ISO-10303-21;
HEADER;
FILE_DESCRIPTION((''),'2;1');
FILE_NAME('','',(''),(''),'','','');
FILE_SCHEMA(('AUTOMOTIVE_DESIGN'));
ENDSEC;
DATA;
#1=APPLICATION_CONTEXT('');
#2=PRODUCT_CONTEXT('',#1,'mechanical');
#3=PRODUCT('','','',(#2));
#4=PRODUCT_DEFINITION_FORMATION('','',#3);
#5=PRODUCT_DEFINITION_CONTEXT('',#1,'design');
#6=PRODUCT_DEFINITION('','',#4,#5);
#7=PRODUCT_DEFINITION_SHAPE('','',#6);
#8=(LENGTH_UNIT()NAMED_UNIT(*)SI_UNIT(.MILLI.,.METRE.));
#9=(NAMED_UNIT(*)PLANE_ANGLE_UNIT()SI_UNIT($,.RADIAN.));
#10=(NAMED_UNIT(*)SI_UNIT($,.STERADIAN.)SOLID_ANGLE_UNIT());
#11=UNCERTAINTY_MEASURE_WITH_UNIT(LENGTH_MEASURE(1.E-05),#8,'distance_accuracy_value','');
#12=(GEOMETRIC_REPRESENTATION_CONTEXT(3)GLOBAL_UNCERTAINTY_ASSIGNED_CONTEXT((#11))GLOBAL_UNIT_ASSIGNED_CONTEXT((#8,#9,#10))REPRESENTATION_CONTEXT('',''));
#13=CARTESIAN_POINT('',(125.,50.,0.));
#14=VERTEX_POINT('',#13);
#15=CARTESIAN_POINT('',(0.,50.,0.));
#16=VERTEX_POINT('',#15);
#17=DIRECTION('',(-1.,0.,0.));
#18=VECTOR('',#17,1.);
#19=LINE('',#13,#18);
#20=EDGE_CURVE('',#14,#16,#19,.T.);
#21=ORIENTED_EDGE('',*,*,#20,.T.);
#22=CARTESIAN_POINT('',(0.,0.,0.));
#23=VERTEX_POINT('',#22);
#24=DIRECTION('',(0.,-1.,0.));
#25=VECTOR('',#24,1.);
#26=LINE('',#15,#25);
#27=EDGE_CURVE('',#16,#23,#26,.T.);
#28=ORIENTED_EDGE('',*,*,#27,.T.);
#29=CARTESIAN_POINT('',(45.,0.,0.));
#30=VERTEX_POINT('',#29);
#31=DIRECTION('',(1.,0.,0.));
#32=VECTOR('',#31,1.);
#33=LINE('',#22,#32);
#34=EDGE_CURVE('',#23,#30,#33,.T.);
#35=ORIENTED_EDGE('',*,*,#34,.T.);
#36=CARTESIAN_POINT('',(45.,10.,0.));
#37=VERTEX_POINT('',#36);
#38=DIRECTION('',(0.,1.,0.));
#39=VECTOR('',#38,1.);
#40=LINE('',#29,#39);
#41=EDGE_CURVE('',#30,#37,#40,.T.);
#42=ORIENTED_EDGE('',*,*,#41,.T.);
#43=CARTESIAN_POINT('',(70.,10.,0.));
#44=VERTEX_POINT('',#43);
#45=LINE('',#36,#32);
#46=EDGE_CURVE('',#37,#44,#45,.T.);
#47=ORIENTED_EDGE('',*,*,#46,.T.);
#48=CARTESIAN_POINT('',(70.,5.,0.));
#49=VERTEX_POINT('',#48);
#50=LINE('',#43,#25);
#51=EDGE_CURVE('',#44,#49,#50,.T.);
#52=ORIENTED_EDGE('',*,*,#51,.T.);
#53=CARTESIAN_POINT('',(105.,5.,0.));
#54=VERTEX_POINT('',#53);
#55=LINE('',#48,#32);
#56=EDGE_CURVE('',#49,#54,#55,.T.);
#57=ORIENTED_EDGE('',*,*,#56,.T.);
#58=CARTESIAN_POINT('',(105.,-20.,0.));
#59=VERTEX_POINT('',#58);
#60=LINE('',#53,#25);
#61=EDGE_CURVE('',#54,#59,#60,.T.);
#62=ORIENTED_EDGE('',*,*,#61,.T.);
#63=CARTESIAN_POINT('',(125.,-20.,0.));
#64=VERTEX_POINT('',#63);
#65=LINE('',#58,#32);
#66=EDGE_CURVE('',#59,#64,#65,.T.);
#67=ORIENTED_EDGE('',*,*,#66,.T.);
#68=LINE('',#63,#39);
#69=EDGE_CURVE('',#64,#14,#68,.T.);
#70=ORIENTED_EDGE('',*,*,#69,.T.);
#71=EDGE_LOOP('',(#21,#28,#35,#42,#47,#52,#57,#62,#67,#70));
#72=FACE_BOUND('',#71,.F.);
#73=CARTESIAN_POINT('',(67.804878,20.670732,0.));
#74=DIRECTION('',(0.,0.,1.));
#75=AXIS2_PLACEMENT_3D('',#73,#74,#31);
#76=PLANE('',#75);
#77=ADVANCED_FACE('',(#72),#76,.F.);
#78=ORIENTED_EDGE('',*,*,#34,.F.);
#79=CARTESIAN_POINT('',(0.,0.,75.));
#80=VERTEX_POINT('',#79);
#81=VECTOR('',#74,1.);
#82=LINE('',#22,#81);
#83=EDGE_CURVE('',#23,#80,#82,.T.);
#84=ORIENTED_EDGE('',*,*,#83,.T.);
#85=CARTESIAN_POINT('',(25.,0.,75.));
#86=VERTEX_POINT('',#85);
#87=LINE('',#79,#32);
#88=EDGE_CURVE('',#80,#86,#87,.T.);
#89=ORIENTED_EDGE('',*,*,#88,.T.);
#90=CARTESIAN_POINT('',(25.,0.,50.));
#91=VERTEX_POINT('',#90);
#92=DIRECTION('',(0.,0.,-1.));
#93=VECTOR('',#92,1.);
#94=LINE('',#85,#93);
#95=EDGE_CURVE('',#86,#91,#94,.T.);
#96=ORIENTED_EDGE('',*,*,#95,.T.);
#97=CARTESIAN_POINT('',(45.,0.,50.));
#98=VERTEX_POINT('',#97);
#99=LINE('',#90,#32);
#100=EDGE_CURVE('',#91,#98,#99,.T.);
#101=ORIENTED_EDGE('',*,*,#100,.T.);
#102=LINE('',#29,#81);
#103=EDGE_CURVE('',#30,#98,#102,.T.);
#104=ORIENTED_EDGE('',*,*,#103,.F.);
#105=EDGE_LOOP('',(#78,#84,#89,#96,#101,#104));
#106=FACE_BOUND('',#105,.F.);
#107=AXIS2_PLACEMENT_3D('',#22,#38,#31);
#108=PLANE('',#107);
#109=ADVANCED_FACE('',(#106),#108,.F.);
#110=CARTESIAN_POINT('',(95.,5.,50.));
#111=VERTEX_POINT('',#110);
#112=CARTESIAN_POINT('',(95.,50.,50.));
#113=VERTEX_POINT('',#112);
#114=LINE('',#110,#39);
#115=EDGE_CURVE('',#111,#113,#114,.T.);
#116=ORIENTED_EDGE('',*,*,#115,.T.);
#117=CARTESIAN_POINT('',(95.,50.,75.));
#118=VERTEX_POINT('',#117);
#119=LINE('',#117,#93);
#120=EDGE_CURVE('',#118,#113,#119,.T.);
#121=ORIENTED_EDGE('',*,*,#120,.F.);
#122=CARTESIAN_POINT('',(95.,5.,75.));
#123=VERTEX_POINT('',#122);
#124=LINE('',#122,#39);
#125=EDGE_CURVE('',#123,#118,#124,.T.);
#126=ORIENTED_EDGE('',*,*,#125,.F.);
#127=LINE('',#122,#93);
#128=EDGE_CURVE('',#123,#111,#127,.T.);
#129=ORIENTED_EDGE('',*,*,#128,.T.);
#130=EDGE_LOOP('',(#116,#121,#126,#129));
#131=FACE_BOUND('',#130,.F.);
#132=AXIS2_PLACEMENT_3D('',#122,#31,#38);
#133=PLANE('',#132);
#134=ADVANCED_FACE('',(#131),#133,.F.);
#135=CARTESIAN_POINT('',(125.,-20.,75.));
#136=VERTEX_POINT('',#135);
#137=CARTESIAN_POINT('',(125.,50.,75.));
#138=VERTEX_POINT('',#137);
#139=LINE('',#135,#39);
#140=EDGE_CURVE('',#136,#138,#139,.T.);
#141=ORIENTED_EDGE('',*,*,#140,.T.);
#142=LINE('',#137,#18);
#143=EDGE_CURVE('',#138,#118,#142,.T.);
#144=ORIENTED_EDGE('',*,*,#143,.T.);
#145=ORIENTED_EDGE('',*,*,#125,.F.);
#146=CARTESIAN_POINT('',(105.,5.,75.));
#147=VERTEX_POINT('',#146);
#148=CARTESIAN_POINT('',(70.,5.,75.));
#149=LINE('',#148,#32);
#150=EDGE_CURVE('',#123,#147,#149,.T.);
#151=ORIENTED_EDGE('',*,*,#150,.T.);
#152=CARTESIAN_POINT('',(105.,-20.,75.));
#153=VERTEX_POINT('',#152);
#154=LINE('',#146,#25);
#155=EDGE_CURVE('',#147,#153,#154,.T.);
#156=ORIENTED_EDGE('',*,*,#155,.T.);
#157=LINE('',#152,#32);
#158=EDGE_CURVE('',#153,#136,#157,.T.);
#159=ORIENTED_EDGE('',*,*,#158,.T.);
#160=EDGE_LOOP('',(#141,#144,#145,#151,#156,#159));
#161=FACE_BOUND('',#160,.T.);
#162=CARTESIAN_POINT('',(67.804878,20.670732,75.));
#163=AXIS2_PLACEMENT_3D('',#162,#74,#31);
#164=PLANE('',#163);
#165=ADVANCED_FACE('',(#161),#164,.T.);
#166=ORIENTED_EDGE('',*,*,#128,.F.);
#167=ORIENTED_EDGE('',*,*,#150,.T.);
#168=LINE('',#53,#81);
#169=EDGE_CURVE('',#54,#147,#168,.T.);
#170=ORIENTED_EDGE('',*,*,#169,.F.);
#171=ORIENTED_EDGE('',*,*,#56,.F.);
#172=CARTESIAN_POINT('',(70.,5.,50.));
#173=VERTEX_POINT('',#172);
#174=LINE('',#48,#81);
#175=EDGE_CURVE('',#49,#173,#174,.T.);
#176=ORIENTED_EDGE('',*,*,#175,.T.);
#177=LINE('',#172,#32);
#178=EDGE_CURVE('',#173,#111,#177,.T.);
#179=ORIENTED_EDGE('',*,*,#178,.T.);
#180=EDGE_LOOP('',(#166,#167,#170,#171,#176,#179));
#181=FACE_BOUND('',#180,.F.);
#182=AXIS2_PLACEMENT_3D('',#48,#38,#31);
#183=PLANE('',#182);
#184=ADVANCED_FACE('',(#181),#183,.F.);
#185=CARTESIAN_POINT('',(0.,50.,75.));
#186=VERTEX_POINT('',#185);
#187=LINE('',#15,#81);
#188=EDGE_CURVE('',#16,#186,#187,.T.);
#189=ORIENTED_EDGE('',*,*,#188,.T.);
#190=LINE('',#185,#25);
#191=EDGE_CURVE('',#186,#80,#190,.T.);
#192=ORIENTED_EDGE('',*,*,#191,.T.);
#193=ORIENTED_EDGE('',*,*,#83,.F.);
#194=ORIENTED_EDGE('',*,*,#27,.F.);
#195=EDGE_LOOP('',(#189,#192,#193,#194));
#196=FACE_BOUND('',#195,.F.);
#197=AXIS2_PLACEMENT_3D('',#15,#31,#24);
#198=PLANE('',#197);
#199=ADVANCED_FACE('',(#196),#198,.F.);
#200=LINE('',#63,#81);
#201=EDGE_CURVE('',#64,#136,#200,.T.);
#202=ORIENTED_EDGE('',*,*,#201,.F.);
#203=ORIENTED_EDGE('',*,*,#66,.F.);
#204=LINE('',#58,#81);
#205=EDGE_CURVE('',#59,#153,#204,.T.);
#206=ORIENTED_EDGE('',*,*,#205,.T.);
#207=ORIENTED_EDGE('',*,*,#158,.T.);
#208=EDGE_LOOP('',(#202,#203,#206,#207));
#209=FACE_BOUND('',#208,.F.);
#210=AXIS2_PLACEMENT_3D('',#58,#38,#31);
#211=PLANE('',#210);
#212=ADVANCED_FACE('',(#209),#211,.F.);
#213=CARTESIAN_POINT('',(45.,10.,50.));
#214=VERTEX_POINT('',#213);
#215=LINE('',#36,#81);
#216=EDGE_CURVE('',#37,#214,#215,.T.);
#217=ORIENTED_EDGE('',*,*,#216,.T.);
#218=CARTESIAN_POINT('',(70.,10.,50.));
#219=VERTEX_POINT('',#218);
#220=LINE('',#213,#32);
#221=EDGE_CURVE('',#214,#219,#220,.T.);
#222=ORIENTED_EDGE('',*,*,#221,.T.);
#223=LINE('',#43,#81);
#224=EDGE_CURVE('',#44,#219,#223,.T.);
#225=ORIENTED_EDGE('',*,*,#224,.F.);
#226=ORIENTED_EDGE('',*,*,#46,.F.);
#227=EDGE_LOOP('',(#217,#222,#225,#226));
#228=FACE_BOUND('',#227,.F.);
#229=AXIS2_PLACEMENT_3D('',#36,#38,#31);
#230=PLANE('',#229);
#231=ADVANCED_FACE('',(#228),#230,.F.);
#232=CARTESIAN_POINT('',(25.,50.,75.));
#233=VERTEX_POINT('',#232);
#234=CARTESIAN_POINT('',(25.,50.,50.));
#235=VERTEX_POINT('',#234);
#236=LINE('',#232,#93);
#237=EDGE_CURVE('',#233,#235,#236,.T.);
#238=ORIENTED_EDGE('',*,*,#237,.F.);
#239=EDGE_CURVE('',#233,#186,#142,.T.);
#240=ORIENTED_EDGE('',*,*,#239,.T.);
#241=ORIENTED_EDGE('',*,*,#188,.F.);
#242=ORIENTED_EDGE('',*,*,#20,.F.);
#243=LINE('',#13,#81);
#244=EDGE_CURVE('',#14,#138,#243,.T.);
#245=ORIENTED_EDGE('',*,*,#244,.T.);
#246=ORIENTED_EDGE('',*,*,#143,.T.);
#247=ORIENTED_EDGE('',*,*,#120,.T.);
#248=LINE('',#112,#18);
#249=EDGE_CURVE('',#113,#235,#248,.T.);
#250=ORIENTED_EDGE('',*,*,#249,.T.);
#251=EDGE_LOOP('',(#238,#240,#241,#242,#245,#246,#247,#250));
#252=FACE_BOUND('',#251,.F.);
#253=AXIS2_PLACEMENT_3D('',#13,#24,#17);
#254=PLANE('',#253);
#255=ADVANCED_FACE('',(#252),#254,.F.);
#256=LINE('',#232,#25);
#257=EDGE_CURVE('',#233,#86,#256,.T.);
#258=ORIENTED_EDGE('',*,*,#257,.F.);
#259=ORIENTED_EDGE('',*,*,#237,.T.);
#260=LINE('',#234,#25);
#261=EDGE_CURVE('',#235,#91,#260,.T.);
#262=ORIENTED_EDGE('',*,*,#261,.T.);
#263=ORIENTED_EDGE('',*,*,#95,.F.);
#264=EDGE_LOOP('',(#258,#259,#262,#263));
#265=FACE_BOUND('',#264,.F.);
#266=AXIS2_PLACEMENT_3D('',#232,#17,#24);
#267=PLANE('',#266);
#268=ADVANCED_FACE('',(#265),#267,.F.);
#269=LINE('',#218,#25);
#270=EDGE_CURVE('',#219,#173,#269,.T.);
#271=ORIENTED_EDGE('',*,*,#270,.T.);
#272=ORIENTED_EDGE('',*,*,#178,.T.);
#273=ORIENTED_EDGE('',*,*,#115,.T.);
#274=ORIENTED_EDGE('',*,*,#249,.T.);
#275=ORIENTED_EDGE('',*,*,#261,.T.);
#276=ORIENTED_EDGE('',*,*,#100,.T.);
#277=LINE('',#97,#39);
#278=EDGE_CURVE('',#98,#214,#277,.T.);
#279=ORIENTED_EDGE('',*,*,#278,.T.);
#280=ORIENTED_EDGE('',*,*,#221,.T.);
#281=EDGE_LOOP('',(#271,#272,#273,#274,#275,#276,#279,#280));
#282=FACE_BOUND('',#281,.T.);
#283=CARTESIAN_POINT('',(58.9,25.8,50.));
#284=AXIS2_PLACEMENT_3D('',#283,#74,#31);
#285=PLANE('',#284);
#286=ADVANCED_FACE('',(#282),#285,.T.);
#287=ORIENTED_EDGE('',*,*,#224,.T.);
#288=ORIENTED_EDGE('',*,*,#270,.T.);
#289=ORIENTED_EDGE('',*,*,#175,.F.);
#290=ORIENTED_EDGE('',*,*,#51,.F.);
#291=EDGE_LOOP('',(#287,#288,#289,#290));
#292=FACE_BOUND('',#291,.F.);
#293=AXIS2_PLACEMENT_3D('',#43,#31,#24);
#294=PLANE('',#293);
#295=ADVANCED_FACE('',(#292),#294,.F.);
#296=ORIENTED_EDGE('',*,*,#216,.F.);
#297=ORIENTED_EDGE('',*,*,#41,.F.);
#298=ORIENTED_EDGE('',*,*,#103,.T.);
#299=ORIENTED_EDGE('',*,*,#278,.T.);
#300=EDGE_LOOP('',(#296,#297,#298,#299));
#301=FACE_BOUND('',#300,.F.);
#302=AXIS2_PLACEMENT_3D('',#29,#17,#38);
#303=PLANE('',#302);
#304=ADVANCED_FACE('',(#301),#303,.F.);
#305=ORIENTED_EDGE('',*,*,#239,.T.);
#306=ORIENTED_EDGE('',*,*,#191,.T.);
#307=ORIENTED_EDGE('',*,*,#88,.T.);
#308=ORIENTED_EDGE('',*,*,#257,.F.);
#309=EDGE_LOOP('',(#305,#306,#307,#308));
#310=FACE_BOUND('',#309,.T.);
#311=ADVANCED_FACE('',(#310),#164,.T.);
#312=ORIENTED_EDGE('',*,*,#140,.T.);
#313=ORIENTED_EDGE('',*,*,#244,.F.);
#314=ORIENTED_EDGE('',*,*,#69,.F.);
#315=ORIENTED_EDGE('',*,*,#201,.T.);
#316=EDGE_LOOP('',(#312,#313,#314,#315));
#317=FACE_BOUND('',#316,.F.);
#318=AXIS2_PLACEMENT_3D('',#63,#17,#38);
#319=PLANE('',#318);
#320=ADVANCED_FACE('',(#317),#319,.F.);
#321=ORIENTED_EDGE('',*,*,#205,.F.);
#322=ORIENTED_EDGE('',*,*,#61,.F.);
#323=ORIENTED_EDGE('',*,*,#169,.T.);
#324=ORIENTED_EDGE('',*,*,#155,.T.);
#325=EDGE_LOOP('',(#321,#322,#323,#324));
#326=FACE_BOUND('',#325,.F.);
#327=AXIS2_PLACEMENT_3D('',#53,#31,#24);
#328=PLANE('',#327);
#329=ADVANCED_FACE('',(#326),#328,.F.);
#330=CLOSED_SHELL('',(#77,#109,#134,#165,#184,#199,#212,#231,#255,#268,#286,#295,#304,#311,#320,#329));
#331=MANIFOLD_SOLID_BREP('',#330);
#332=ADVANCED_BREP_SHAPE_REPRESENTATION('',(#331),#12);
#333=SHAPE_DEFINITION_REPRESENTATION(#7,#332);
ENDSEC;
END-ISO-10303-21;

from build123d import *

# Parameters (mm, degrees)
F1_DEPTH = 75
F3_DEPTH = 25


with BuildPart() as f1:
    # F0 (on Top) → F1 (new body)
    with BuildSketch(Plane.XY):
        Polygon((0, 50), (0, 0), (45, 0), (45, 10), (70, 10), (70, 5), (105, 5), (105, -20), (125, -20), (125, 50), align=None)
    extrude(amount=F1_DEPTH)

    # F2 (on face) → F3 (cut)
    with BuildSketch(Plane.XY.offset(75)):
        Polygon((70, 5), (95, 5), (95, 50), (25, 50), (25, 0), (45, 0), (45, 10), (70, 10), align=None)
    extrude(amount=-F3_DEPTH, mode=Mode.SUBTRACT)


solid = f1.part
